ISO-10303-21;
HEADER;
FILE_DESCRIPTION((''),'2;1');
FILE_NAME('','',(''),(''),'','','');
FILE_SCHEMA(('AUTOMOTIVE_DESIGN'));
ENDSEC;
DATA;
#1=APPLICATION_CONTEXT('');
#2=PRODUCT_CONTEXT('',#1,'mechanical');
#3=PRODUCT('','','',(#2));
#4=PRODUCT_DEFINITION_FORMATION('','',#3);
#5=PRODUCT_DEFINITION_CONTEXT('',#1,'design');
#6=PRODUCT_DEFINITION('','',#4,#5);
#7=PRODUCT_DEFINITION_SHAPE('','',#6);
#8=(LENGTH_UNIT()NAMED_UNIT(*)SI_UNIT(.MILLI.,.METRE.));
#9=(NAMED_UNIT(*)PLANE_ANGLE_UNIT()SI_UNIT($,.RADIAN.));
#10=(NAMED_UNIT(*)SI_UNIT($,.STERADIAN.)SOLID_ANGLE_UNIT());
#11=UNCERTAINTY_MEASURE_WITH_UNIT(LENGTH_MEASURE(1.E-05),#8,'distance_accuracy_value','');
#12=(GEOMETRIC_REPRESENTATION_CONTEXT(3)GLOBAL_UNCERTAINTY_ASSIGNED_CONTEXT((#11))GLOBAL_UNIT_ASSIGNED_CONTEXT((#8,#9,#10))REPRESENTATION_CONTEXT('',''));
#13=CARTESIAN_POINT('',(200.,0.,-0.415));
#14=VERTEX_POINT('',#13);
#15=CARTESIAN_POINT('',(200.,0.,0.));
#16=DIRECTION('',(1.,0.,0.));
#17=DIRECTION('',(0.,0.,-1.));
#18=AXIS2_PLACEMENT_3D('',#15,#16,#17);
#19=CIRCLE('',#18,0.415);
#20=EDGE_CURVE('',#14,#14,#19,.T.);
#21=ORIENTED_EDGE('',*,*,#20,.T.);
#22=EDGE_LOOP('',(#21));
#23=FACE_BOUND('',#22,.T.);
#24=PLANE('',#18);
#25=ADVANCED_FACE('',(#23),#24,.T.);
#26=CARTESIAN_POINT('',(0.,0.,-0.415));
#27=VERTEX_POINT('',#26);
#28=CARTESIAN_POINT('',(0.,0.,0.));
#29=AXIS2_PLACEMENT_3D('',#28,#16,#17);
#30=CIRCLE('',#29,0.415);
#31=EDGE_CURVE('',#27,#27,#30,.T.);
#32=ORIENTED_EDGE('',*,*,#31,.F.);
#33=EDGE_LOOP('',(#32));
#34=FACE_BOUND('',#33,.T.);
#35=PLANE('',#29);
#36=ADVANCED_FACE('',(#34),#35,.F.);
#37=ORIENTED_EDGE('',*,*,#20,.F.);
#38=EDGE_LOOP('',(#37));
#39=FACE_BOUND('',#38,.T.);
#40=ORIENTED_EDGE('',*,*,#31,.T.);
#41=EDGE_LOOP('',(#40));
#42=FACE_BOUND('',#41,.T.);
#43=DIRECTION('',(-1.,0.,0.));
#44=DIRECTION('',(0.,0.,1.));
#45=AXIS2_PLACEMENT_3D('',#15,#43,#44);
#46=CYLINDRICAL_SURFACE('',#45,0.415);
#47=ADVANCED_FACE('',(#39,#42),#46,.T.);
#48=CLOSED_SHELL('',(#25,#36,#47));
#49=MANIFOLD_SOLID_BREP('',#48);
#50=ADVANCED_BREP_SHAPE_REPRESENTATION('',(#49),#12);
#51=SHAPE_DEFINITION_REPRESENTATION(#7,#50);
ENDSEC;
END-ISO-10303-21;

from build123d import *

# Parameters (mm, degrees)
SKETCH_1_R      = 0.415
EXTRUDE_1_DEPTH = 200


with BuildPart() as part:
    # Эскиз1 → Вытянуть1 (new body)
    with BuildSketch(Plane(origin=(0, 0, 0), x_dir=(0, 0, -1), z_dir=(1, 0, 0))):
        Circle(SKETCH_1_R)
    extrude(amount=EXTRUDE_1_DEPTH)


solid = part.part
